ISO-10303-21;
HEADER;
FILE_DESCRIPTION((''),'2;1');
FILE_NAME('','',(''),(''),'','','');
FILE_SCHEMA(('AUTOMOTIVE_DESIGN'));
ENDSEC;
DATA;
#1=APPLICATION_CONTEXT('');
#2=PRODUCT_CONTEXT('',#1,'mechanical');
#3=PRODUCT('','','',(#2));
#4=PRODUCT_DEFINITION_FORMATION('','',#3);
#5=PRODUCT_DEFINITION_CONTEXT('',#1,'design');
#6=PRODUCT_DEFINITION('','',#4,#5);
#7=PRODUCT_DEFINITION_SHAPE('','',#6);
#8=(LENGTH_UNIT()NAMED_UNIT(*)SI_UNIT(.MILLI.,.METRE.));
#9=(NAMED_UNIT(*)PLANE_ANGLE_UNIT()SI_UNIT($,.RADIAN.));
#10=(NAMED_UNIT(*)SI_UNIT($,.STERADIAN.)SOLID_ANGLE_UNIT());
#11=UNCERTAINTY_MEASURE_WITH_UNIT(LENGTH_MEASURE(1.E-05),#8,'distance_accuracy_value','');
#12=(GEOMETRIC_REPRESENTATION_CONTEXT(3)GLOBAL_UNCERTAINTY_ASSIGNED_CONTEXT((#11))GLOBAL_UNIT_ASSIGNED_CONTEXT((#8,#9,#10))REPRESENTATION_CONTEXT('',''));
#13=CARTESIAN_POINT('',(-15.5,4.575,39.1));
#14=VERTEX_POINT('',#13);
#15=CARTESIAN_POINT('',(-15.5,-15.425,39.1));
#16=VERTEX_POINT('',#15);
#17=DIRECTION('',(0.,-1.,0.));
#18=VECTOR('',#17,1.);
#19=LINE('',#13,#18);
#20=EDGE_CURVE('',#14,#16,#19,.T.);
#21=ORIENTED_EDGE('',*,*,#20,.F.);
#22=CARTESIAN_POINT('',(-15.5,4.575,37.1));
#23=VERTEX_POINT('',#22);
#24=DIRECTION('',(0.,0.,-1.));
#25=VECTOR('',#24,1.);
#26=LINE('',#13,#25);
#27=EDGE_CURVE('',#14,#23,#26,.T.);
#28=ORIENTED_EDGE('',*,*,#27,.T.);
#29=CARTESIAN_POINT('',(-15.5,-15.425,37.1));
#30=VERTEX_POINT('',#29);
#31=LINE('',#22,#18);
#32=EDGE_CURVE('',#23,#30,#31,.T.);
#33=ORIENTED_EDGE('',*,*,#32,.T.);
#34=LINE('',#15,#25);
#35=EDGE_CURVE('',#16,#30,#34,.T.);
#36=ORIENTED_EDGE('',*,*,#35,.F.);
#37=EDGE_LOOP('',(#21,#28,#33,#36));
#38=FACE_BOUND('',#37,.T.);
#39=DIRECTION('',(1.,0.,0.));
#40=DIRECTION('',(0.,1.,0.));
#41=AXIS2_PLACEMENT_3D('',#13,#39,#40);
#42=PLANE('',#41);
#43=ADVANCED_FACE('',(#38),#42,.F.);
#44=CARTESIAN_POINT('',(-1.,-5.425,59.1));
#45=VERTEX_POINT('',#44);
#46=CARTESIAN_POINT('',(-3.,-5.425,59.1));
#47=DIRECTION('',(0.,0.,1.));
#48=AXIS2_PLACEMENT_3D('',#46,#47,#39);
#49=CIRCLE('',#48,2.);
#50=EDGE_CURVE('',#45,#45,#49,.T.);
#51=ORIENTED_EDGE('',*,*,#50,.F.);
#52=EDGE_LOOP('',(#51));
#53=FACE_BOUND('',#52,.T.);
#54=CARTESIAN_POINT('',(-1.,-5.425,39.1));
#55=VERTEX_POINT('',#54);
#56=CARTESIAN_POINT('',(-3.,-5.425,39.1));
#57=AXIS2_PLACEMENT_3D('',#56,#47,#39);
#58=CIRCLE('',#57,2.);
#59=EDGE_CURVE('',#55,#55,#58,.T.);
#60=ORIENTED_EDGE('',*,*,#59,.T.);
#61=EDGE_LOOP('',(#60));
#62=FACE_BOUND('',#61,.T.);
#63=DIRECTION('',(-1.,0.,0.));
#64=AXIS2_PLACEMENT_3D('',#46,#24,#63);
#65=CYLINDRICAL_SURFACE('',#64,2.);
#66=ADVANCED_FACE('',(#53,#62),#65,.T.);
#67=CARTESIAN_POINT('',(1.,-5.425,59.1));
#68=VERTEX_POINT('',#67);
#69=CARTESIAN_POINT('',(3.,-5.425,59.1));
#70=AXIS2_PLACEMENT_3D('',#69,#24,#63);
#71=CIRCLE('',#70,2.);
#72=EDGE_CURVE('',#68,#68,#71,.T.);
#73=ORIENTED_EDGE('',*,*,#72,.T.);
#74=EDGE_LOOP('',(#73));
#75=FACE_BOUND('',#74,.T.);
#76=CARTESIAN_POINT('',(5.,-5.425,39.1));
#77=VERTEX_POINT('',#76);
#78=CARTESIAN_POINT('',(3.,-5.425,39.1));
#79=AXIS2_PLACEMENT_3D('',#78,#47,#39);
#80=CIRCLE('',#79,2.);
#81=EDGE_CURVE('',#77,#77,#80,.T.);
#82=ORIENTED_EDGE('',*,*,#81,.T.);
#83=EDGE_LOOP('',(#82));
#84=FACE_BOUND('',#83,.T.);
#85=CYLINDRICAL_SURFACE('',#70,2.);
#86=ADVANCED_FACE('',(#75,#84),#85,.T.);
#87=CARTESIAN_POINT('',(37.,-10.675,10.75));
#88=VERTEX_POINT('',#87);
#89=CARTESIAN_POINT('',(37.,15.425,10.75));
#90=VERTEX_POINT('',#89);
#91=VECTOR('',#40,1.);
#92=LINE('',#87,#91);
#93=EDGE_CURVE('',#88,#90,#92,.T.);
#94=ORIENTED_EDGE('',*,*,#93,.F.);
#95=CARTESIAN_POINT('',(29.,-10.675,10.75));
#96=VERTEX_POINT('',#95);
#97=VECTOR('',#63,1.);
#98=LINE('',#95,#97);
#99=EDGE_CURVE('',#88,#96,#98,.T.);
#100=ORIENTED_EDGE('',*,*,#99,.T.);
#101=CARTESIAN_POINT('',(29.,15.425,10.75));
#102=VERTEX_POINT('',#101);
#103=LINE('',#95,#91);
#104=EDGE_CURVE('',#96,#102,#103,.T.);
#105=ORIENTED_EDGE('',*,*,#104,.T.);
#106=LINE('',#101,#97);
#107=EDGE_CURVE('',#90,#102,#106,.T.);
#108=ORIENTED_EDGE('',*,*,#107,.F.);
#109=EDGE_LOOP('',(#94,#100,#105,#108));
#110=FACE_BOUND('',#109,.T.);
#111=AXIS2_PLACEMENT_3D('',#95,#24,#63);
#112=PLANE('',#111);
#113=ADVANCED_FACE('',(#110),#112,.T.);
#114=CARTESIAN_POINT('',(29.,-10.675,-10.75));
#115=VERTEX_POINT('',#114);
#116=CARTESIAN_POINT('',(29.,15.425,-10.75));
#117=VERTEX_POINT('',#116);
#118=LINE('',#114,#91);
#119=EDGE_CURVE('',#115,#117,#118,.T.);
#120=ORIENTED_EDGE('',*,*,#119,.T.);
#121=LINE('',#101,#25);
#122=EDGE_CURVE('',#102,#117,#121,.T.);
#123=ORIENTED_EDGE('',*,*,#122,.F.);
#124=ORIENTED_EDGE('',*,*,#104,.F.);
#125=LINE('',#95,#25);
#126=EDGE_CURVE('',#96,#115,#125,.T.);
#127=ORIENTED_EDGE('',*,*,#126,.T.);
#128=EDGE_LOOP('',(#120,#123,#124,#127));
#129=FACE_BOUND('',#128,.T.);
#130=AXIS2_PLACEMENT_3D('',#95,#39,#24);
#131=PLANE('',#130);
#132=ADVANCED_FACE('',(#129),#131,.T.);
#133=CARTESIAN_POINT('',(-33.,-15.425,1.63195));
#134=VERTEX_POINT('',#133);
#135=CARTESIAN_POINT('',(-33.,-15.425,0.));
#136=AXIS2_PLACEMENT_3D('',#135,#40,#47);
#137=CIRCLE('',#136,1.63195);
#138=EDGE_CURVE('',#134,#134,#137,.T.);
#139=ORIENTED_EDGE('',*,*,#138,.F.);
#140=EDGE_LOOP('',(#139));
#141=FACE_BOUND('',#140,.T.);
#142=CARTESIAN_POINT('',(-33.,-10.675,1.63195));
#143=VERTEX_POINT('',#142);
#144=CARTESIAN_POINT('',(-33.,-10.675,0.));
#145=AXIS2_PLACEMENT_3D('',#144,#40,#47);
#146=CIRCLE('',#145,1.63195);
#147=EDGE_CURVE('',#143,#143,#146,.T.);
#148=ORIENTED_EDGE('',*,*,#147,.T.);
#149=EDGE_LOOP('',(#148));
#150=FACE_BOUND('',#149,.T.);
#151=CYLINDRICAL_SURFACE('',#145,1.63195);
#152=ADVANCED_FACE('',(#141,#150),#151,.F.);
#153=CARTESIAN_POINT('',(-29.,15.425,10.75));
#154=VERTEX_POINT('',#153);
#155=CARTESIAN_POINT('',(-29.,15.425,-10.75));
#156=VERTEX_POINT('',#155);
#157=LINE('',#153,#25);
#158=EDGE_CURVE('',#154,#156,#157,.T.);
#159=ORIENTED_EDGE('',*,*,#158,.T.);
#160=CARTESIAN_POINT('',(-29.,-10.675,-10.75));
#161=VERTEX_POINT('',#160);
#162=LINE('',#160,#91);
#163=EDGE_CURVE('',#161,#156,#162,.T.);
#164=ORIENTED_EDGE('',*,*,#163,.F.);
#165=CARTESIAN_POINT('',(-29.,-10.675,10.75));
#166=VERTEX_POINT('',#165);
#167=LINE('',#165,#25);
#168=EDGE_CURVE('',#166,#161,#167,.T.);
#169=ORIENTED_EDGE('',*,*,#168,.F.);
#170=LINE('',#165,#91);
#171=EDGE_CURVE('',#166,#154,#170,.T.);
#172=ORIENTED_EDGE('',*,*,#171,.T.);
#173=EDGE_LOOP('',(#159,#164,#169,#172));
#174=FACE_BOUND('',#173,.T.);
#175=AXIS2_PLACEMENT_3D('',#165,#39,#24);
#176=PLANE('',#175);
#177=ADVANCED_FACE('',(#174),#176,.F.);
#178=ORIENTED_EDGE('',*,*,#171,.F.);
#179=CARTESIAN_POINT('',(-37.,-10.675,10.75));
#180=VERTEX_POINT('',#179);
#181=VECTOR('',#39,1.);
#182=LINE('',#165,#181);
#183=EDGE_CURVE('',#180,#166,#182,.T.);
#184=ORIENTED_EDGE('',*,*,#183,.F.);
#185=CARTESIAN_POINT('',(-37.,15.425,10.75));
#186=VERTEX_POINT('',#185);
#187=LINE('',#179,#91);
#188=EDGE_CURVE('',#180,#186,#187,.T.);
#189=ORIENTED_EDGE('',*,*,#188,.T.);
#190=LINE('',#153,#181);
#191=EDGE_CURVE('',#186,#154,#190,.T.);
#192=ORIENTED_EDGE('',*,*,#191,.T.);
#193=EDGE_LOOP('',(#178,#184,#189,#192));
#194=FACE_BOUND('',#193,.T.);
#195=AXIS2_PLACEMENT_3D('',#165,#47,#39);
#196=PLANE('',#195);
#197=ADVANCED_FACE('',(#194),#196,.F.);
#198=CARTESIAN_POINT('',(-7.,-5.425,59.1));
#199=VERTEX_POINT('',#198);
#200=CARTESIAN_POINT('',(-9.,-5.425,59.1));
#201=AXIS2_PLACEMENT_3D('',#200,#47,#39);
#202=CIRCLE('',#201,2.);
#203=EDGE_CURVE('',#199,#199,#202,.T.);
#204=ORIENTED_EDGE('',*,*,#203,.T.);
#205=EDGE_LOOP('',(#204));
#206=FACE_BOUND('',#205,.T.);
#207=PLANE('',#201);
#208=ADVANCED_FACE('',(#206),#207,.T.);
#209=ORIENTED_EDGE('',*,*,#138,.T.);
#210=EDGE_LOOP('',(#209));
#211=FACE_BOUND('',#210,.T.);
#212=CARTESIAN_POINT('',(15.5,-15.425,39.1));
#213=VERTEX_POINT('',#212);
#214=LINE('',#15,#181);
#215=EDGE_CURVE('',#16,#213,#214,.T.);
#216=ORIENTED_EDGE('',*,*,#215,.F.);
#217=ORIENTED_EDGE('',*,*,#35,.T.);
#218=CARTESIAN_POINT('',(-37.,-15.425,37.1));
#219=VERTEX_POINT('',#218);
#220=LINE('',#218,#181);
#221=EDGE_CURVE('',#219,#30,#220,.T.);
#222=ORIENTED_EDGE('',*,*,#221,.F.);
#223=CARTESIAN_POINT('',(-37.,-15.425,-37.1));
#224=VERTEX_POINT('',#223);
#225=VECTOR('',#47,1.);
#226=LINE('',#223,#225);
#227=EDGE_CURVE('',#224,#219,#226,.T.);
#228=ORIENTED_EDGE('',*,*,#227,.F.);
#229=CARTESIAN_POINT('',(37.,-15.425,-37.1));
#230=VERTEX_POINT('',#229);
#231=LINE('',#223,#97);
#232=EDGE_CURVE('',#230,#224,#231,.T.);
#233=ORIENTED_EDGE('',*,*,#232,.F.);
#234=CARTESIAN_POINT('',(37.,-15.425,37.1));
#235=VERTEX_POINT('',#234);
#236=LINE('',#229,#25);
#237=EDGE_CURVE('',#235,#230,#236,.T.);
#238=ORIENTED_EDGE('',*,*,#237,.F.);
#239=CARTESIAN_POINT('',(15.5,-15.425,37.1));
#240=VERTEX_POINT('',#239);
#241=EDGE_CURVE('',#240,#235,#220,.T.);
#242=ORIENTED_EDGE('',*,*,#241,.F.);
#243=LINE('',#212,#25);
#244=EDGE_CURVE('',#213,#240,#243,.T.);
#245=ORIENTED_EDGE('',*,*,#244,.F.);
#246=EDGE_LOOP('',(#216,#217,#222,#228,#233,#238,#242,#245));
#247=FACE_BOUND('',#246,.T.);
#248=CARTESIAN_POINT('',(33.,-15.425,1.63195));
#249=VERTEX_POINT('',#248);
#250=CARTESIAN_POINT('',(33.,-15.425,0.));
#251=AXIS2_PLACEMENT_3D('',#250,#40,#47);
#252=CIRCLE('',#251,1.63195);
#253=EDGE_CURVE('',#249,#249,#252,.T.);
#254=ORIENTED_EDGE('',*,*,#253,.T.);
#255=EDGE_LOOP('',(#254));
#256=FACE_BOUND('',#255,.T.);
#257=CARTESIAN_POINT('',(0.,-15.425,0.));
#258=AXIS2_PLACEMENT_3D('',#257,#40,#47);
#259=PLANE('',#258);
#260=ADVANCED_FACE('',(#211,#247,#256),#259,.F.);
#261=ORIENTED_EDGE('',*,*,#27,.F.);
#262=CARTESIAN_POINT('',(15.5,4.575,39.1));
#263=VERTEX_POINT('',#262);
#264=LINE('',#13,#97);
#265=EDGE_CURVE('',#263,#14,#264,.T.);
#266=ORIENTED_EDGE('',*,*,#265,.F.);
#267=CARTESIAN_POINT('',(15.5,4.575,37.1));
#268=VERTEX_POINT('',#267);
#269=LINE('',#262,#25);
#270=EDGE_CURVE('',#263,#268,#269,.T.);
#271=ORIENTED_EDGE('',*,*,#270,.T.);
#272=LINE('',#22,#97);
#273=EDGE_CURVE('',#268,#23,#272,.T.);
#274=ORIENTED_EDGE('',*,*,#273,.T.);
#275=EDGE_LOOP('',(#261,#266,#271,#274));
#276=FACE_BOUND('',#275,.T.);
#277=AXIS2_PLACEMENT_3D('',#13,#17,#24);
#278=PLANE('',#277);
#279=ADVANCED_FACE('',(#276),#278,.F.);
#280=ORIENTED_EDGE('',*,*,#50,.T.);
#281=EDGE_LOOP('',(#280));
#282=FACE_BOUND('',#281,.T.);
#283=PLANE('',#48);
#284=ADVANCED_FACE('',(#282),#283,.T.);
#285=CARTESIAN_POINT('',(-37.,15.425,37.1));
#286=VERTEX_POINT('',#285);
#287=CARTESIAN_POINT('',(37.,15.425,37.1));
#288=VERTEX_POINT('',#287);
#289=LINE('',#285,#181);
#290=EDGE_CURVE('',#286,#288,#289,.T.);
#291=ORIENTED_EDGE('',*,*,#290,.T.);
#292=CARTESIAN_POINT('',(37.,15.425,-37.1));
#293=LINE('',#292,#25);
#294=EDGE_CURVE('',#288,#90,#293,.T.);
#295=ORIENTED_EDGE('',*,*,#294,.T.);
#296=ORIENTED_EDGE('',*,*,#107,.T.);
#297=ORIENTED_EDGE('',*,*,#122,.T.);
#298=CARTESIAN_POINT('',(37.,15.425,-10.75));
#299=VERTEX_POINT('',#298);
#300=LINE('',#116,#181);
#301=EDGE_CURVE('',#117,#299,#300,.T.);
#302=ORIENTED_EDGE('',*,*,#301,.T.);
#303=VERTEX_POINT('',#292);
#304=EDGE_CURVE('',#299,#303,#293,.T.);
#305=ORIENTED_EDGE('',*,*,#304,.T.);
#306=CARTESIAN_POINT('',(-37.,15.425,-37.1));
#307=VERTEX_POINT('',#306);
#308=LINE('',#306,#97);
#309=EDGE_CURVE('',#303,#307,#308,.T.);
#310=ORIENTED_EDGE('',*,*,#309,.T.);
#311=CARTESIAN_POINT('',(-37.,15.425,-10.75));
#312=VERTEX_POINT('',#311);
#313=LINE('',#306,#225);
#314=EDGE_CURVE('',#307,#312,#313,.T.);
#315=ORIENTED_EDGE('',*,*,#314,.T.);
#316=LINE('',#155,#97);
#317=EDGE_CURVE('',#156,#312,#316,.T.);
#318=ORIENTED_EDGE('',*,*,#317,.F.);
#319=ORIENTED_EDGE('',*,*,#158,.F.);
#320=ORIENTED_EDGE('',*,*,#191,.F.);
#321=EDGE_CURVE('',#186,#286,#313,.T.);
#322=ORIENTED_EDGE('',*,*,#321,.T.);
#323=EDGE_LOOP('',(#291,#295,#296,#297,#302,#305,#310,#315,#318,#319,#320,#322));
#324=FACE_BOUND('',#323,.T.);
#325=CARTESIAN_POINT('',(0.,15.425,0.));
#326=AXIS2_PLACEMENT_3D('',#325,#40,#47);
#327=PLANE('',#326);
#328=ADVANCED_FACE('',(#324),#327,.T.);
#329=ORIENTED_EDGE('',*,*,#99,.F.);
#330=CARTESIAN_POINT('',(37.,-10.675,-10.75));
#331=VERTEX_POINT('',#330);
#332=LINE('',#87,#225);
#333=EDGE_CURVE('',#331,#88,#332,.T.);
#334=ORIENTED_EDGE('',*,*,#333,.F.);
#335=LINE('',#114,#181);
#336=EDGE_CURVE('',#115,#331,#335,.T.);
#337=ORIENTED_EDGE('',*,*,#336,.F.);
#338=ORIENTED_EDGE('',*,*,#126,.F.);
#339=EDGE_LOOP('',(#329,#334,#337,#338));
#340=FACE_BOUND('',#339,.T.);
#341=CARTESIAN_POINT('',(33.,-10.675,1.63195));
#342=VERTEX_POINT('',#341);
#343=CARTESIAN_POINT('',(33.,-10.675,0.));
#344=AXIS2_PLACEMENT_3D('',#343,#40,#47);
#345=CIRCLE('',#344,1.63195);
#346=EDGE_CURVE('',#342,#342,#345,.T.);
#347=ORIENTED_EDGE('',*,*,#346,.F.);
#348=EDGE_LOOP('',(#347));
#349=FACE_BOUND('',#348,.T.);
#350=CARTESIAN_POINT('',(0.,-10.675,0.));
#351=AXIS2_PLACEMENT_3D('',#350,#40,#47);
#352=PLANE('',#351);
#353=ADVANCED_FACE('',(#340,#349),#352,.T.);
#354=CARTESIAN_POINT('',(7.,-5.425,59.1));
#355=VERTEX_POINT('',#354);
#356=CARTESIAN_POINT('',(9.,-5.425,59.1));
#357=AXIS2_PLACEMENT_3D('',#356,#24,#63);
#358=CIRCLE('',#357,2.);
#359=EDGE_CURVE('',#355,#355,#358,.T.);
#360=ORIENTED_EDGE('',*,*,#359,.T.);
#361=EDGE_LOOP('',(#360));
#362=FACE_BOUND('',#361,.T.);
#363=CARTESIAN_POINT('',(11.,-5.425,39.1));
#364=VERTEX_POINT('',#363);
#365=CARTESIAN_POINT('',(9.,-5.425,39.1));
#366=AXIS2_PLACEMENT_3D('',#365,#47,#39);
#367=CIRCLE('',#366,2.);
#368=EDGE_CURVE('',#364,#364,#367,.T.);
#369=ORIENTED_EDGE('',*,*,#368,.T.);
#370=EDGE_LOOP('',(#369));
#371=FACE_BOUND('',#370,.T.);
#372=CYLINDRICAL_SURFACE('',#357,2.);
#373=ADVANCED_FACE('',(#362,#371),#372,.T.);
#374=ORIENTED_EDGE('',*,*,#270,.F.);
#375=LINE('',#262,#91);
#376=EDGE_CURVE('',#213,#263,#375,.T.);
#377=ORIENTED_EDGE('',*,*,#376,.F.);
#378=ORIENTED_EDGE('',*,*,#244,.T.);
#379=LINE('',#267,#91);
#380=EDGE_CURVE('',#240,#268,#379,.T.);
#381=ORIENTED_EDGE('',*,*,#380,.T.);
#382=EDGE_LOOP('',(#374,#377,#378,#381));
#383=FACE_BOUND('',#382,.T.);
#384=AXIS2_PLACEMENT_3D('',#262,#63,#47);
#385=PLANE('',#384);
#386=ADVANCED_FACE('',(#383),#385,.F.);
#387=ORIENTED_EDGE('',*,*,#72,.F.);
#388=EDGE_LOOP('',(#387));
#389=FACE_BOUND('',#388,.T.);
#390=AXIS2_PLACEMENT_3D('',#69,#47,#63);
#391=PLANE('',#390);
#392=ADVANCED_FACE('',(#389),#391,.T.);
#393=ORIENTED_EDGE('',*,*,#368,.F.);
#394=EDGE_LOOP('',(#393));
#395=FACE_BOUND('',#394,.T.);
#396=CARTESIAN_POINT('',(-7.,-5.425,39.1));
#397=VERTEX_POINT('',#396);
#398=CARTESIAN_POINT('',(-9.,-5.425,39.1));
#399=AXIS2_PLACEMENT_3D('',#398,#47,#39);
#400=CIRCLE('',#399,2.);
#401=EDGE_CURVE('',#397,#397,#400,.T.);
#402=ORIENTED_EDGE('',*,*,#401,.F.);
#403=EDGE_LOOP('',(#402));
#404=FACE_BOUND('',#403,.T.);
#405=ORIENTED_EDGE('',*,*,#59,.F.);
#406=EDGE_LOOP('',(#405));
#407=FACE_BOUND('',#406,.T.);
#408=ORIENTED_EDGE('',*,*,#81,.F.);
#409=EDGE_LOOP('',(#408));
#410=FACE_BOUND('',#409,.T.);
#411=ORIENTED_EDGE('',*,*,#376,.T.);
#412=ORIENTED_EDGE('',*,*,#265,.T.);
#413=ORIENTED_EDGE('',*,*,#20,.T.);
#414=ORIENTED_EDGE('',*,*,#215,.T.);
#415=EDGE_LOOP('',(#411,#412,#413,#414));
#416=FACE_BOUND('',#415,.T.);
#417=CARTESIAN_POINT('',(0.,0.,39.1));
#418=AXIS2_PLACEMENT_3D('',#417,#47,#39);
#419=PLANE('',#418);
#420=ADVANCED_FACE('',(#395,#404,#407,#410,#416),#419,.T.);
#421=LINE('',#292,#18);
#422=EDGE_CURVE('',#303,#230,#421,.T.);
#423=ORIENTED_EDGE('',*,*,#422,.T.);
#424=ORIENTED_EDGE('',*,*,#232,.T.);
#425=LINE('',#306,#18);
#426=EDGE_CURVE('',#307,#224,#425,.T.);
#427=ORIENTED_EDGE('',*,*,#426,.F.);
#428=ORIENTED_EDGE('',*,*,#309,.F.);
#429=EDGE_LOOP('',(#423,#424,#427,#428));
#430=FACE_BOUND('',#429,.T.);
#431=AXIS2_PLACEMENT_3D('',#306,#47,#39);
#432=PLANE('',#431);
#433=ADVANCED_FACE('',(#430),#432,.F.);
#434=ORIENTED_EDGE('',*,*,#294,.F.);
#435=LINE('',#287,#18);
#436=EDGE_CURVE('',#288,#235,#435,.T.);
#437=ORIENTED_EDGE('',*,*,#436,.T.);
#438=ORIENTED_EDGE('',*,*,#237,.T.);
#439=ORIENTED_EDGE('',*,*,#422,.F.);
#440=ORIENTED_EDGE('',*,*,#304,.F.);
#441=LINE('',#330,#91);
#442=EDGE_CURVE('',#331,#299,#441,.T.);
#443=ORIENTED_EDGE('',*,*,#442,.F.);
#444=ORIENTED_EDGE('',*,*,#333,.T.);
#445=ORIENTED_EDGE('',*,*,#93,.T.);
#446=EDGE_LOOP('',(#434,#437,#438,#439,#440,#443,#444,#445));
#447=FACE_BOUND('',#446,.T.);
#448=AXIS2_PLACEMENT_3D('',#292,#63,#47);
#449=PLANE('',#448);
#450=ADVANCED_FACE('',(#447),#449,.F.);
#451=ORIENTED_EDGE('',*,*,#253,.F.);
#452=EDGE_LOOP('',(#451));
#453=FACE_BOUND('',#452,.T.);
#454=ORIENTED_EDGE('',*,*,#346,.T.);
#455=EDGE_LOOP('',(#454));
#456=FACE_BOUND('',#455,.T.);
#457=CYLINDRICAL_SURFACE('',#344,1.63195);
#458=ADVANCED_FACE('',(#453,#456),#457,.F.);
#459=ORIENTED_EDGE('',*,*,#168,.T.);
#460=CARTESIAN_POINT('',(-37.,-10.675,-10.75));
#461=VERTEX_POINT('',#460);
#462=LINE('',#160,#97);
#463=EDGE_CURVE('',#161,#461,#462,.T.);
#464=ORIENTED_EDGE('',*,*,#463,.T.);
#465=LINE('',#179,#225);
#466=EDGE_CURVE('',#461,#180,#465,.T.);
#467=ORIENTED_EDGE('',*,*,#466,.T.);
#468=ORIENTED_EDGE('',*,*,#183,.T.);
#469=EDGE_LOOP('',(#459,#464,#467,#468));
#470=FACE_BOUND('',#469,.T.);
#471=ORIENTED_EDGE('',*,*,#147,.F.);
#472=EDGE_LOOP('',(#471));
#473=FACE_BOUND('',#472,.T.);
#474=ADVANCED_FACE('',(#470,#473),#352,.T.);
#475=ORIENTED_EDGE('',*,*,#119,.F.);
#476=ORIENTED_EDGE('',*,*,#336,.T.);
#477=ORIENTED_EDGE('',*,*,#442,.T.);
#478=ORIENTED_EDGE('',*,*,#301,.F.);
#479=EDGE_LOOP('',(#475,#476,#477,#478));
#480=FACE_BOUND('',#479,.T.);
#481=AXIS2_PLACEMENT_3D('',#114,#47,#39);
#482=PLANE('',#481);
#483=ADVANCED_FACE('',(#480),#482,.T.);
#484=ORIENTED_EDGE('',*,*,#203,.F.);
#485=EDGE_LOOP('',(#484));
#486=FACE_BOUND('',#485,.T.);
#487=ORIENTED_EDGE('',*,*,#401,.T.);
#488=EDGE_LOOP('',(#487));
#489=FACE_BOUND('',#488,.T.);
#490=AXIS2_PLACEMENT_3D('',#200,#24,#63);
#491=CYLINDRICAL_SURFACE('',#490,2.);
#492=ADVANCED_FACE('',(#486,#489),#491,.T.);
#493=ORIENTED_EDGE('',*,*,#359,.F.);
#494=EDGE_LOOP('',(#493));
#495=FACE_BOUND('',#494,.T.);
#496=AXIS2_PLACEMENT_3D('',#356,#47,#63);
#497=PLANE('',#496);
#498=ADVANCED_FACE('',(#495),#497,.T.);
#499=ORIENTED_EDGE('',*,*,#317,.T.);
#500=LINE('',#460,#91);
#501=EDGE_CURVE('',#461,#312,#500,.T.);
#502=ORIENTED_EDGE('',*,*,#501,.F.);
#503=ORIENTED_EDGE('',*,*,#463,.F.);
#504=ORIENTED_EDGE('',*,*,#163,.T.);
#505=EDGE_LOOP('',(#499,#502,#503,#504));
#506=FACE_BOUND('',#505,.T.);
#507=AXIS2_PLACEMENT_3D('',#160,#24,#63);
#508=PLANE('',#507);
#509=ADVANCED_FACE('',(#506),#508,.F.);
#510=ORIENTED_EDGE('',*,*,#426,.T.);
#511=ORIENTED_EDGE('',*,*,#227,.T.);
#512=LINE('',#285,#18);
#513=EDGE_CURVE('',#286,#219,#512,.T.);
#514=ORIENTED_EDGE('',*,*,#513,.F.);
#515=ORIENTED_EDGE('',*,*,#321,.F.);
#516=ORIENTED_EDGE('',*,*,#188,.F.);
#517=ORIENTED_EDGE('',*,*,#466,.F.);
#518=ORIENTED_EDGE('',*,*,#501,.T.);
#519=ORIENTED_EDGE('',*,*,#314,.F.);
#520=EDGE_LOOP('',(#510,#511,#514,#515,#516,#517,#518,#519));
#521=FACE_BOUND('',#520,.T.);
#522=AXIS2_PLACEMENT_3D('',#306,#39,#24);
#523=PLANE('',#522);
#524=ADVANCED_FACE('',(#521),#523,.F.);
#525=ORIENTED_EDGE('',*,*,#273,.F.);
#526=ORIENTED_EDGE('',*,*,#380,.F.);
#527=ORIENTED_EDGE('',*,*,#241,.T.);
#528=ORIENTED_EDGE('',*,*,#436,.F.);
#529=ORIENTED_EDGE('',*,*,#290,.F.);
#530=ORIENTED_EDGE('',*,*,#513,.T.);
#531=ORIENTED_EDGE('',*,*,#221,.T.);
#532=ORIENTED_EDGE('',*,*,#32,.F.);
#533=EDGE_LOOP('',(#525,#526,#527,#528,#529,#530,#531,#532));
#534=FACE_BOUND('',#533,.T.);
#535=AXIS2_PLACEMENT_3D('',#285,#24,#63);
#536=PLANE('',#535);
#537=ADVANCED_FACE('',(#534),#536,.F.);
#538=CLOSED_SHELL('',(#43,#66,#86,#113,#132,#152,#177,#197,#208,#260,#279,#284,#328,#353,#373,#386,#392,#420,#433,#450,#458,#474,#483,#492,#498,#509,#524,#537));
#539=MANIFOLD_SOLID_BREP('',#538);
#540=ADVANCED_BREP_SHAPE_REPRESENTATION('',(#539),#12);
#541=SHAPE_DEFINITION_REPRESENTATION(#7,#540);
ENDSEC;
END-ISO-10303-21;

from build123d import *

# Parameters (mm, degrees)
SKETCH1_W                    = 74
SKETCH1_H                    = 74.2
BOSS_EXTRUDE1_DEPTH          = 15.425
SKETCH3_W                    = 8
SKETCH3_H                    = 21.5
CUT_EXTRUDE1_DEPTH           = 26.1
F_30_0_1285_DIAMETER_HOLE1_D = 3.2639
SKETCH6_W                    = 31
SKETCH6_H                    = 20
BOSS_EXTRUDE2_DEPTH          = 2
SKETCH7_R                    = 2
BOSS_EXTRUDE3_DEPTH          = 20


with BuildPart() as part:
    # Sketch1 → Boss-Extrude1 (new, symmetric)
    with BuildSketch(Plane(origin=(0, 0, 0), x_dir=(1, 0, 0), z_dir=(0, 1, 0))):
        Rectangle(SKETCH1_W, SKETCH1_H)
    extrude(amount=BOSS_EXTRUDE1_DEPTH, both=True)

    # Sketch3 → Cut-Extrude1 (cut)
    with BuildSketch(Plane(origin=(0, 15.425, 0), x_dir=(1, 0, 0), z_dir=(0, 1, 0))):
        with Locations((-33, 0)):
            Rectangle(SKETCH3_W, SKETCH3_H)
    cut_extrude1 = extrude(amount=-CUT_EXTRUDE1_DEPTH, mode=Mode.SUBTRACT)

    # #30 (0.1285) Diameter Hole1 (through all)
    with Locations(Plane(origin=(0, -10.675, 0), x_dir=(1, 0, 0), z_dir=(0, 1, 0))):
        with Locations((-33, 0)):
            f_30_0_1285_diameter_hole1 = Hole(F_30_0_1285_DIAMETER_HOLE1_D / 2)

    # Sketch6 → Boss-Extrude2 (add)
    with BuildSketch(Plane.XY.offset(37.1)):
        with Locations((0, -5.425)):
            Rectangle(SKETCH6_W, SKETCH6_H)
    extrude(amount=BOSS_EXTRUDE2_DEPTH)

    # Sketch7 → Boss-Extrude3 (add)
    with BuildSketch(Plane.XY.offset(39.1)):
        with Locations((-9, -5.425)):
            Circle(SKETCH7_R)
        with Locations((-3, -5.425)):
            Circle(SKETCH7_R)
    boss_extrude3 = extrude(amount=BOSS_EXTRUDE3_DEPTH)

    # Mirror1: Cut-Extrude1, #30 (0.1285) Diameter Hole1, Boss-Extrude3 across plane
    add(cut_extrude1.mirror(Plane(origin=(0, 0, 0), x_dir=(0, 0, 1), z_dir=(1, 0, 0))), mode=Mode.SUBTRACT)
    add(f_30_0_1285_diameter_hole1.mirror(Plane(origin=(0, 0, 0), x_dir=(0, 0, 1), z_dir=(1, 0, 0))), mode=Mode.SUBTRACT)
    add(boss_extrude3.mirror(Plane(origin=(0, 0, 0), x_dir=(0, 0, 1), z_dir=(1, 0, 0))))


solid = part.part
